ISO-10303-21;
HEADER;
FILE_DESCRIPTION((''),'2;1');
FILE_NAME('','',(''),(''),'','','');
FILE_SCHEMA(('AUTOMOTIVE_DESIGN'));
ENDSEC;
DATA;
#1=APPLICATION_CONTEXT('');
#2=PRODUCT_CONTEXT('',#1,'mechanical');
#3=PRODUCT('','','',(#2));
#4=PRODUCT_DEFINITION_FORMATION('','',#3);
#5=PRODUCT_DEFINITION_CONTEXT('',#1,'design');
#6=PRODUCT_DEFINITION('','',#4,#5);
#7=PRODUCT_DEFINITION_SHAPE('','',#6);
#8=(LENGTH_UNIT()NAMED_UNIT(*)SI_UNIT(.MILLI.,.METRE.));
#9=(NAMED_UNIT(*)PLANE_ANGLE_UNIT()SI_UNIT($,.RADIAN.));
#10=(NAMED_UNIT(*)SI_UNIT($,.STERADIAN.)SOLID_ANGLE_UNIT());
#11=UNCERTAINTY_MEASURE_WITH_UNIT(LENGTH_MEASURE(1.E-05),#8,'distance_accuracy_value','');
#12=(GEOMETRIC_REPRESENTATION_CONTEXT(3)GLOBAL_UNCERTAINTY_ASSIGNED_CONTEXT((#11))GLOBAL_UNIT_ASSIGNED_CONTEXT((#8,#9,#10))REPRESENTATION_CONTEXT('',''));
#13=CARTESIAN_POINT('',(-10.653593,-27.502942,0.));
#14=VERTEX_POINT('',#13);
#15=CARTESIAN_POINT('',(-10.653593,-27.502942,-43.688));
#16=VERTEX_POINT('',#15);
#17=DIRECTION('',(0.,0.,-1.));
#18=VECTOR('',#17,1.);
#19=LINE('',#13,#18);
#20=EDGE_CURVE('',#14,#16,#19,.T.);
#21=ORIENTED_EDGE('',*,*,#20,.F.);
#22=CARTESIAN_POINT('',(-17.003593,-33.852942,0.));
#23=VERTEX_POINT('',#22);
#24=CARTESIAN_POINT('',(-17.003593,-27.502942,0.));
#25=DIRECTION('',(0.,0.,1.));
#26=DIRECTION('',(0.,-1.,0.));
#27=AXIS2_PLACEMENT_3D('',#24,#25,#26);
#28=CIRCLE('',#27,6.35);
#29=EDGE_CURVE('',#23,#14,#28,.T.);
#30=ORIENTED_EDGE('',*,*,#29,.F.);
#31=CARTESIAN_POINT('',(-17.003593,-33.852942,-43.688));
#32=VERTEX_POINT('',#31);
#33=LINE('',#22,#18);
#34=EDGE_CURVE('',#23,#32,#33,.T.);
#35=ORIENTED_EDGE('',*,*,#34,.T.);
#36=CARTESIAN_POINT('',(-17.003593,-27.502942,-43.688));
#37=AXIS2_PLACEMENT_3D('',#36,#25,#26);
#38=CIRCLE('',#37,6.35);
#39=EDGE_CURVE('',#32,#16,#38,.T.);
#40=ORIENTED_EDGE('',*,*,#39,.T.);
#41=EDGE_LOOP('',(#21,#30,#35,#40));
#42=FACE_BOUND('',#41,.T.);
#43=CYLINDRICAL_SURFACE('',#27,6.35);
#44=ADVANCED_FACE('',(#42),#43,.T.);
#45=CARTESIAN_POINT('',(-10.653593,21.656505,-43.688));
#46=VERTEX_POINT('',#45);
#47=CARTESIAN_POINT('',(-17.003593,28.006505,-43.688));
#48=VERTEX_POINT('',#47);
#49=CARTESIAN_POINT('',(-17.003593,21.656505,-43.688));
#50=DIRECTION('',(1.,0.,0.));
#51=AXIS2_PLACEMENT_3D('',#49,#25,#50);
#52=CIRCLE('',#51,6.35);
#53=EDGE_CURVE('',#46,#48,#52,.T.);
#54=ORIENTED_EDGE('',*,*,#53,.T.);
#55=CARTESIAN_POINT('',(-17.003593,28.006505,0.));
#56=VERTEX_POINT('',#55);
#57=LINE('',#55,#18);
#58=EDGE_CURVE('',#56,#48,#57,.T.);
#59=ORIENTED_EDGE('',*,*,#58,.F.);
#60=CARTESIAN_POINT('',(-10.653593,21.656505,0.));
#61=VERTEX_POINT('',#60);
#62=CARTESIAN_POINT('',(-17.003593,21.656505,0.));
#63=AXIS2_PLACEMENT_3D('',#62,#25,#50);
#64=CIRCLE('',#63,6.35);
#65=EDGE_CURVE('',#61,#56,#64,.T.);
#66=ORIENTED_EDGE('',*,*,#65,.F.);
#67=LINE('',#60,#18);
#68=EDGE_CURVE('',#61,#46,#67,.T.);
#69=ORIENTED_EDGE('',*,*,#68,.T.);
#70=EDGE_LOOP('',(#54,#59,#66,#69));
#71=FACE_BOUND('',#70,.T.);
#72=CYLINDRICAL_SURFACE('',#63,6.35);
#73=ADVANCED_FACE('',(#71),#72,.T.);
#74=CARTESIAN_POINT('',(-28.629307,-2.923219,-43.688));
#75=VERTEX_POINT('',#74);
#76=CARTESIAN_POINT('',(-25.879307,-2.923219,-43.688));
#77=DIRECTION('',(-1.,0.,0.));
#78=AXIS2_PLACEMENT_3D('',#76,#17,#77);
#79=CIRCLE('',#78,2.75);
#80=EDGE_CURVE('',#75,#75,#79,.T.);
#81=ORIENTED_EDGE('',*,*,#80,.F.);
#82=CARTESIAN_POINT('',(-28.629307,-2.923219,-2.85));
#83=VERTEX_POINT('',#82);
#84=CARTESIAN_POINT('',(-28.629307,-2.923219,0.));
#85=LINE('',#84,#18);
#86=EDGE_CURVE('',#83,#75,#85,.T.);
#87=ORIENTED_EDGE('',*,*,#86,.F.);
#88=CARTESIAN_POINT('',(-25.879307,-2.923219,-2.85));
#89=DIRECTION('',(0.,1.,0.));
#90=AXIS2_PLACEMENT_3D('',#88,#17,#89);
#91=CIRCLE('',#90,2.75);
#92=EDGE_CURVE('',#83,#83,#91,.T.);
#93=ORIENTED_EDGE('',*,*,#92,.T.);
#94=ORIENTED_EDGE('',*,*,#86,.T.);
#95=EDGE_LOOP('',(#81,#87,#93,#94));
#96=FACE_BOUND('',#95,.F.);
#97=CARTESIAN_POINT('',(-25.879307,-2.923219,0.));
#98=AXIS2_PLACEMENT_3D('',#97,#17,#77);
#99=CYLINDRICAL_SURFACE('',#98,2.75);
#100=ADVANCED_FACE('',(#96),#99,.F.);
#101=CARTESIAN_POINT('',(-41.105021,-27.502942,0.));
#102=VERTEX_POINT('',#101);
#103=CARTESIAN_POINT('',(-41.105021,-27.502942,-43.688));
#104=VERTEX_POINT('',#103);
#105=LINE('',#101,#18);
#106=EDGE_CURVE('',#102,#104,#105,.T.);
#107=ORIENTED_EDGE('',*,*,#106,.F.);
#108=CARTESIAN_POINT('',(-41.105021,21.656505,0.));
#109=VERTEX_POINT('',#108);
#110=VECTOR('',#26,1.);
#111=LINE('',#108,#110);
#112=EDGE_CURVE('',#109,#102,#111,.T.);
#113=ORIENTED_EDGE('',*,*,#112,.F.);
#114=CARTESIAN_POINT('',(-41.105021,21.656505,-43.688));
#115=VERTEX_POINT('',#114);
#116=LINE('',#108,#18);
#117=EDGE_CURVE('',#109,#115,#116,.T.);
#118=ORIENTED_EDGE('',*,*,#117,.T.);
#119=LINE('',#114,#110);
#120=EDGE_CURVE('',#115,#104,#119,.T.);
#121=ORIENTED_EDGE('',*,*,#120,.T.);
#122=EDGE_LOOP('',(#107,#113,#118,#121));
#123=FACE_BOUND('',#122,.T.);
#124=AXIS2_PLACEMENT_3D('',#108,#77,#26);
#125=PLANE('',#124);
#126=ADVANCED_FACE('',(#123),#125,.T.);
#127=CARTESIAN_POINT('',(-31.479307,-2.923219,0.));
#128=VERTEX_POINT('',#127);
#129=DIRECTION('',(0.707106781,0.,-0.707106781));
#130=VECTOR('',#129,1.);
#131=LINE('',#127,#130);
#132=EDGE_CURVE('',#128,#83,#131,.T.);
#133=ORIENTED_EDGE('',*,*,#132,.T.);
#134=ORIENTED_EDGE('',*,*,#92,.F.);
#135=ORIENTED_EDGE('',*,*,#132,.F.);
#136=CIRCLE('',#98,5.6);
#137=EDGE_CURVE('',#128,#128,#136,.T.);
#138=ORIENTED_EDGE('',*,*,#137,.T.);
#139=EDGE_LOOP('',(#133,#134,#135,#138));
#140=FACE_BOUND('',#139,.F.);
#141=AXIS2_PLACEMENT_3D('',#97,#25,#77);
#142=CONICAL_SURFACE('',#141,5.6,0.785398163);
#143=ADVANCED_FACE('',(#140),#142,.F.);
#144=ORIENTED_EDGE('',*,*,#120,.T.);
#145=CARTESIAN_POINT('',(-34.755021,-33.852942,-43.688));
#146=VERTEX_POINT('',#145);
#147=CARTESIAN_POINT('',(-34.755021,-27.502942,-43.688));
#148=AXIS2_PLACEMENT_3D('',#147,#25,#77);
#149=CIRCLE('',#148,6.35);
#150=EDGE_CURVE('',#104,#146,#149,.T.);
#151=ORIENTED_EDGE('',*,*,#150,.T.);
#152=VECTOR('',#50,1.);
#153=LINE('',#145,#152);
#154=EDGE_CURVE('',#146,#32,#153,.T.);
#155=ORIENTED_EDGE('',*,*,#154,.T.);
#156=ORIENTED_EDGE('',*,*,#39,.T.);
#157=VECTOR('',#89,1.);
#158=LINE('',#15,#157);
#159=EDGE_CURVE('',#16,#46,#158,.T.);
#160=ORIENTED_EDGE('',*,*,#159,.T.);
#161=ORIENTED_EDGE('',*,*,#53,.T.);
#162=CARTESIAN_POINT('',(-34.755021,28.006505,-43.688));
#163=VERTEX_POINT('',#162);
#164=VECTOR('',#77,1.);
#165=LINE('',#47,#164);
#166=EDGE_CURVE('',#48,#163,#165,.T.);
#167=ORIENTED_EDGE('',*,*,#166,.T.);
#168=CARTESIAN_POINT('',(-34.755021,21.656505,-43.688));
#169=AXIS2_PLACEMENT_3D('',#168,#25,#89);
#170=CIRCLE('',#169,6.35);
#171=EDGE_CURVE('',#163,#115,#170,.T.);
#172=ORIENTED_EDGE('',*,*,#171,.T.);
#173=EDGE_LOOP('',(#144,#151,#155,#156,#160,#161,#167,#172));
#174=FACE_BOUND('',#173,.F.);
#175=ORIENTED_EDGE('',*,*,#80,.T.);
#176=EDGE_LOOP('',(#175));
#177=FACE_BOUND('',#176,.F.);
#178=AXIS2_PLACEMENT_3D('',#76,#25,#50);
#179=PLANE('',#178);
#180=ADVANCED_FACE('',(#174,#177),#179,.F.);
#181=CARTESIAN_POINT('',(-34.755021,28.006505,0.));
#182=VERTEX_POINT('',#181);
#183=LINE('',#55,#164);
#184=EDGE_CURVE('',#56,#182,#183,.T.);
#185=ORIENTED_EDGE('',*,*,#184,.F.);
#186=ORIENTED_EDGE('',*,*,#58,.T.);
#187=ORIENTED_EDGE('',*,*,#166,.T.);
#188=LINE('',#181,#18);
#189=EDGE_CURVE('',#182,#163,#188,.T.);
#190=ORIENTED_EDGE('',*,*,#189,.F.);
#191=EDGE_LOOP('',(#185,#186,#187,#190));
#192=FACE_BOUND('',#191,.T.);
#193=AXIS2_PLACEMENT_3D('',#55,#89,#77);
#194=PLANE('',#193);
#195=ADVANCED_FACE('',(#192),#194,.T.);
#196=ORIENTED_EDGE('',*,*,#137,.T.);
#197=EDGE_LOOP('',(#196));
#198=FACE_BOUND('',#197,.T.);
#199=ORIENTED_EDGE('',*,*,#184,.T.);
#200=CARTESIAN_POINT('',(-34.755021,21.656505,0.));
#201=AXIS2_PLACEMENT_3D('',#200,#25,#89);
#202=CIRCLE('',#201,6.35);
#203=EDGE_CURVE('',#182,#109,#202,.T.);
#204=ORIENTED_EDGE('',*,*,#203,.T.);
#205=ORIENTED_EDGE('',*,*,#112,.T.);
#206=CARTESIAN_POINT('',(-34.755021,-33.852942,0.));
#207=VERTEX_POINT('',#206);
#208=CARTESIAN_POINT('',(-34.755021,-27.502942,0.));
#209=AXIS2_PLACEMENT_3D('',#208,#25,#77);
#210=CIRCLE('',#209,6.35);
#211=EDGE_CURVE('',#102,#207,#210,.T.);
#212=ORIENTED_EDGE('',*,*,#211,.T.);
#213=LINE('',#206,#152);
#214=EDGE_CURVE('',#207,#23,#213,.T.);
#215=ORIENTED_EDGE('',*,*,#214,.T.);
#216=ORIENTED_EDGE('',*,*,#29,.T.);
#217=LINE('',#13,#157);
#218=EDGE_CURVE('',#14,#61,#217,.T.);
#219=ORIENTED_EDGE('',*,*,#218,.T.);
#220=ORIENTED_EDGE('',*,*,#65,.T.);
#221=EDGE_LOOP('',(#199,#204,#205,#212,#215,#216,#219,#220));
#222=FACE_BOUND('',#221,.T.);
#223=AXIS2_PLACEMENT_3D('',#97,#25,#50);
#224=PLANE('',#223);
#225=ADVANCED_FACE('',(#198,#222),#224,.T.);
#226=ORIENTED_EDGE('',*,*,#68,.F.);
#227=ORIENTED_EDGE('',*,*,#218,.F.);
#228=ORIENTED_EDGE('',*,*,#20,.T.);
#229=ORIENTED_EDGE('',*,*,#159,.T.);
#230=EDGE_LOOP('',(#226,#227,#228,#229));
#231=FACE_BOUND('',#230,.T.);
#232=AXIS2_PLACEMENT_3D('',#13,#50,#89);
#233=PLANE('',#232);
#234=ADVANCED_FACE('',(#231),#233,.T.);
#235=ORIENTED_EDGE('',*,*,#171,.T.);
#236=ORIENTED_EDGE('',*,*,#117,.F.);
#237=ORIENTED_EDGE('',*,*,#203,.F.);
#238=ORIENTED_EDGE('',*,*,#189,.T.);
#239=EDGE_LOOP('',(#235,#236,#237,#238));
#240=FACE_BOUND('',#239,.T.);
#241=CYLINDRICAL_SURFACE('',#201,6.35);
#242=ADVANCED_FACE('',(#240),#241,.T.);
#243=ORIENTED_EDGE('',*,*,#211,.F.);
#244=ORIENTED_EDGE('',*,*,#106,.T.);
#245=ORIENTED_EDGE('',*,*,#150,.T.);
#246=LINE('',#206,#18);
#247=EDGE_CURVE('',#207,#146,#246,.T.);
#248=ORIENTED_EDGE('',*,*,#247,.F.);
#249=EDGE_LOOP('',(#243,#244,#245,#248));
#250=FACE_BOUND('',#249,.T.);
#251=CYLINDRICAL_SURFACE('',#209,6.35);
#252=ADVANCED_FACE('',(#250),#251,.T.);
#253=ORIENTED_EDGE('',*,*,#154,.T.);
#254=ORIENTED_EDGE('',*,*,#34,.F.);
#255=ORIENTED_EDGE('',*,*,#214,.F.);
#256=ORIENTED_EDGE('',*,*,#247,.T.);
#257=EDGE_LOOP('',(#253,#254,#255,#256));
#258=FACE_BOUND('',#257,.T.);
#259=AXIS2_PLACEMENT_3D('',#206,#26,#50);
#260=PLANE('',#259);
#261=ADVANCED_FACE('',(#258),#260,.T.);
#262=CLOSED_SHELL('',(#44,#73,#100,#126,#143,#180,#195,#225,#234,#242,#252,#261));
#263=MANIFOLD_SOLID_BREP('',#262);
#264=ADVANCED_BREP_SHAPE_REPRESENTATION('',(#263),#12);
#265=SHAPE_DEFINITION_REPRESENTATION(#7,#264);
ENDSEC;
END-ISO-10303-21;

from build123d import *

# Parameters (mm, degrees)
F1_DEPTH       = 43.688
F2_D           = 5.5
F2_CSINK_D     = 11.2
F2_CSINK_ANGLE = 90


with BuildPart() as f1:
    # F0 (on Top) → F1 (new body)
    with BuildSketch(Plane.XY):
        with BuildLine():
            Line((-17.0035926461, 28.0065052211), (-34.7550207913, 28.0065052211))
            ThreePointArc((-34.7550207913, 28.0065052211), (-39.2451488518, 26.1466332817), (-41.1050207913, 21.6565052211))
            Line((-41.1050207913, 21.6565052211), (-41.1050207913, -27.5029422879))
            ThreePointArc((-41.1050207913, -27.5029422879), (-39.2451488518, -31.9930703485), (-34.7550207913, -33.8529422879))
            Line((-34.7550207913, -33.8529422879), (-17.0035926461, -33.8529422879))
            ThreePointArc((-17.0035926461, -33.8529422879), (-12.5134645856, -31.9930703485), (-10.6535926461, -27.5029422879))
            Line((-10.6535926461, -27.5029422879), (-10.6535926461, 21.6565052211))
            ThreePointArc((-10.6535926461, 21.6565052211), (-12.5134645856, 26.1466332817), (-17.0035926461, 28.0065052211))
        make_face()
    extrude(amount=-F1_DEPTH)

    # F2 (through all)
    with Locations(Plane.XY):
        with Locations((-25.8793067187, -2.9232185334)):
            CounterSinkHole(F2_D / 2, F2_CSINK_D / 2, counter_sink_angle=F2_CSINK_ANGLE)


solid = f1.part
